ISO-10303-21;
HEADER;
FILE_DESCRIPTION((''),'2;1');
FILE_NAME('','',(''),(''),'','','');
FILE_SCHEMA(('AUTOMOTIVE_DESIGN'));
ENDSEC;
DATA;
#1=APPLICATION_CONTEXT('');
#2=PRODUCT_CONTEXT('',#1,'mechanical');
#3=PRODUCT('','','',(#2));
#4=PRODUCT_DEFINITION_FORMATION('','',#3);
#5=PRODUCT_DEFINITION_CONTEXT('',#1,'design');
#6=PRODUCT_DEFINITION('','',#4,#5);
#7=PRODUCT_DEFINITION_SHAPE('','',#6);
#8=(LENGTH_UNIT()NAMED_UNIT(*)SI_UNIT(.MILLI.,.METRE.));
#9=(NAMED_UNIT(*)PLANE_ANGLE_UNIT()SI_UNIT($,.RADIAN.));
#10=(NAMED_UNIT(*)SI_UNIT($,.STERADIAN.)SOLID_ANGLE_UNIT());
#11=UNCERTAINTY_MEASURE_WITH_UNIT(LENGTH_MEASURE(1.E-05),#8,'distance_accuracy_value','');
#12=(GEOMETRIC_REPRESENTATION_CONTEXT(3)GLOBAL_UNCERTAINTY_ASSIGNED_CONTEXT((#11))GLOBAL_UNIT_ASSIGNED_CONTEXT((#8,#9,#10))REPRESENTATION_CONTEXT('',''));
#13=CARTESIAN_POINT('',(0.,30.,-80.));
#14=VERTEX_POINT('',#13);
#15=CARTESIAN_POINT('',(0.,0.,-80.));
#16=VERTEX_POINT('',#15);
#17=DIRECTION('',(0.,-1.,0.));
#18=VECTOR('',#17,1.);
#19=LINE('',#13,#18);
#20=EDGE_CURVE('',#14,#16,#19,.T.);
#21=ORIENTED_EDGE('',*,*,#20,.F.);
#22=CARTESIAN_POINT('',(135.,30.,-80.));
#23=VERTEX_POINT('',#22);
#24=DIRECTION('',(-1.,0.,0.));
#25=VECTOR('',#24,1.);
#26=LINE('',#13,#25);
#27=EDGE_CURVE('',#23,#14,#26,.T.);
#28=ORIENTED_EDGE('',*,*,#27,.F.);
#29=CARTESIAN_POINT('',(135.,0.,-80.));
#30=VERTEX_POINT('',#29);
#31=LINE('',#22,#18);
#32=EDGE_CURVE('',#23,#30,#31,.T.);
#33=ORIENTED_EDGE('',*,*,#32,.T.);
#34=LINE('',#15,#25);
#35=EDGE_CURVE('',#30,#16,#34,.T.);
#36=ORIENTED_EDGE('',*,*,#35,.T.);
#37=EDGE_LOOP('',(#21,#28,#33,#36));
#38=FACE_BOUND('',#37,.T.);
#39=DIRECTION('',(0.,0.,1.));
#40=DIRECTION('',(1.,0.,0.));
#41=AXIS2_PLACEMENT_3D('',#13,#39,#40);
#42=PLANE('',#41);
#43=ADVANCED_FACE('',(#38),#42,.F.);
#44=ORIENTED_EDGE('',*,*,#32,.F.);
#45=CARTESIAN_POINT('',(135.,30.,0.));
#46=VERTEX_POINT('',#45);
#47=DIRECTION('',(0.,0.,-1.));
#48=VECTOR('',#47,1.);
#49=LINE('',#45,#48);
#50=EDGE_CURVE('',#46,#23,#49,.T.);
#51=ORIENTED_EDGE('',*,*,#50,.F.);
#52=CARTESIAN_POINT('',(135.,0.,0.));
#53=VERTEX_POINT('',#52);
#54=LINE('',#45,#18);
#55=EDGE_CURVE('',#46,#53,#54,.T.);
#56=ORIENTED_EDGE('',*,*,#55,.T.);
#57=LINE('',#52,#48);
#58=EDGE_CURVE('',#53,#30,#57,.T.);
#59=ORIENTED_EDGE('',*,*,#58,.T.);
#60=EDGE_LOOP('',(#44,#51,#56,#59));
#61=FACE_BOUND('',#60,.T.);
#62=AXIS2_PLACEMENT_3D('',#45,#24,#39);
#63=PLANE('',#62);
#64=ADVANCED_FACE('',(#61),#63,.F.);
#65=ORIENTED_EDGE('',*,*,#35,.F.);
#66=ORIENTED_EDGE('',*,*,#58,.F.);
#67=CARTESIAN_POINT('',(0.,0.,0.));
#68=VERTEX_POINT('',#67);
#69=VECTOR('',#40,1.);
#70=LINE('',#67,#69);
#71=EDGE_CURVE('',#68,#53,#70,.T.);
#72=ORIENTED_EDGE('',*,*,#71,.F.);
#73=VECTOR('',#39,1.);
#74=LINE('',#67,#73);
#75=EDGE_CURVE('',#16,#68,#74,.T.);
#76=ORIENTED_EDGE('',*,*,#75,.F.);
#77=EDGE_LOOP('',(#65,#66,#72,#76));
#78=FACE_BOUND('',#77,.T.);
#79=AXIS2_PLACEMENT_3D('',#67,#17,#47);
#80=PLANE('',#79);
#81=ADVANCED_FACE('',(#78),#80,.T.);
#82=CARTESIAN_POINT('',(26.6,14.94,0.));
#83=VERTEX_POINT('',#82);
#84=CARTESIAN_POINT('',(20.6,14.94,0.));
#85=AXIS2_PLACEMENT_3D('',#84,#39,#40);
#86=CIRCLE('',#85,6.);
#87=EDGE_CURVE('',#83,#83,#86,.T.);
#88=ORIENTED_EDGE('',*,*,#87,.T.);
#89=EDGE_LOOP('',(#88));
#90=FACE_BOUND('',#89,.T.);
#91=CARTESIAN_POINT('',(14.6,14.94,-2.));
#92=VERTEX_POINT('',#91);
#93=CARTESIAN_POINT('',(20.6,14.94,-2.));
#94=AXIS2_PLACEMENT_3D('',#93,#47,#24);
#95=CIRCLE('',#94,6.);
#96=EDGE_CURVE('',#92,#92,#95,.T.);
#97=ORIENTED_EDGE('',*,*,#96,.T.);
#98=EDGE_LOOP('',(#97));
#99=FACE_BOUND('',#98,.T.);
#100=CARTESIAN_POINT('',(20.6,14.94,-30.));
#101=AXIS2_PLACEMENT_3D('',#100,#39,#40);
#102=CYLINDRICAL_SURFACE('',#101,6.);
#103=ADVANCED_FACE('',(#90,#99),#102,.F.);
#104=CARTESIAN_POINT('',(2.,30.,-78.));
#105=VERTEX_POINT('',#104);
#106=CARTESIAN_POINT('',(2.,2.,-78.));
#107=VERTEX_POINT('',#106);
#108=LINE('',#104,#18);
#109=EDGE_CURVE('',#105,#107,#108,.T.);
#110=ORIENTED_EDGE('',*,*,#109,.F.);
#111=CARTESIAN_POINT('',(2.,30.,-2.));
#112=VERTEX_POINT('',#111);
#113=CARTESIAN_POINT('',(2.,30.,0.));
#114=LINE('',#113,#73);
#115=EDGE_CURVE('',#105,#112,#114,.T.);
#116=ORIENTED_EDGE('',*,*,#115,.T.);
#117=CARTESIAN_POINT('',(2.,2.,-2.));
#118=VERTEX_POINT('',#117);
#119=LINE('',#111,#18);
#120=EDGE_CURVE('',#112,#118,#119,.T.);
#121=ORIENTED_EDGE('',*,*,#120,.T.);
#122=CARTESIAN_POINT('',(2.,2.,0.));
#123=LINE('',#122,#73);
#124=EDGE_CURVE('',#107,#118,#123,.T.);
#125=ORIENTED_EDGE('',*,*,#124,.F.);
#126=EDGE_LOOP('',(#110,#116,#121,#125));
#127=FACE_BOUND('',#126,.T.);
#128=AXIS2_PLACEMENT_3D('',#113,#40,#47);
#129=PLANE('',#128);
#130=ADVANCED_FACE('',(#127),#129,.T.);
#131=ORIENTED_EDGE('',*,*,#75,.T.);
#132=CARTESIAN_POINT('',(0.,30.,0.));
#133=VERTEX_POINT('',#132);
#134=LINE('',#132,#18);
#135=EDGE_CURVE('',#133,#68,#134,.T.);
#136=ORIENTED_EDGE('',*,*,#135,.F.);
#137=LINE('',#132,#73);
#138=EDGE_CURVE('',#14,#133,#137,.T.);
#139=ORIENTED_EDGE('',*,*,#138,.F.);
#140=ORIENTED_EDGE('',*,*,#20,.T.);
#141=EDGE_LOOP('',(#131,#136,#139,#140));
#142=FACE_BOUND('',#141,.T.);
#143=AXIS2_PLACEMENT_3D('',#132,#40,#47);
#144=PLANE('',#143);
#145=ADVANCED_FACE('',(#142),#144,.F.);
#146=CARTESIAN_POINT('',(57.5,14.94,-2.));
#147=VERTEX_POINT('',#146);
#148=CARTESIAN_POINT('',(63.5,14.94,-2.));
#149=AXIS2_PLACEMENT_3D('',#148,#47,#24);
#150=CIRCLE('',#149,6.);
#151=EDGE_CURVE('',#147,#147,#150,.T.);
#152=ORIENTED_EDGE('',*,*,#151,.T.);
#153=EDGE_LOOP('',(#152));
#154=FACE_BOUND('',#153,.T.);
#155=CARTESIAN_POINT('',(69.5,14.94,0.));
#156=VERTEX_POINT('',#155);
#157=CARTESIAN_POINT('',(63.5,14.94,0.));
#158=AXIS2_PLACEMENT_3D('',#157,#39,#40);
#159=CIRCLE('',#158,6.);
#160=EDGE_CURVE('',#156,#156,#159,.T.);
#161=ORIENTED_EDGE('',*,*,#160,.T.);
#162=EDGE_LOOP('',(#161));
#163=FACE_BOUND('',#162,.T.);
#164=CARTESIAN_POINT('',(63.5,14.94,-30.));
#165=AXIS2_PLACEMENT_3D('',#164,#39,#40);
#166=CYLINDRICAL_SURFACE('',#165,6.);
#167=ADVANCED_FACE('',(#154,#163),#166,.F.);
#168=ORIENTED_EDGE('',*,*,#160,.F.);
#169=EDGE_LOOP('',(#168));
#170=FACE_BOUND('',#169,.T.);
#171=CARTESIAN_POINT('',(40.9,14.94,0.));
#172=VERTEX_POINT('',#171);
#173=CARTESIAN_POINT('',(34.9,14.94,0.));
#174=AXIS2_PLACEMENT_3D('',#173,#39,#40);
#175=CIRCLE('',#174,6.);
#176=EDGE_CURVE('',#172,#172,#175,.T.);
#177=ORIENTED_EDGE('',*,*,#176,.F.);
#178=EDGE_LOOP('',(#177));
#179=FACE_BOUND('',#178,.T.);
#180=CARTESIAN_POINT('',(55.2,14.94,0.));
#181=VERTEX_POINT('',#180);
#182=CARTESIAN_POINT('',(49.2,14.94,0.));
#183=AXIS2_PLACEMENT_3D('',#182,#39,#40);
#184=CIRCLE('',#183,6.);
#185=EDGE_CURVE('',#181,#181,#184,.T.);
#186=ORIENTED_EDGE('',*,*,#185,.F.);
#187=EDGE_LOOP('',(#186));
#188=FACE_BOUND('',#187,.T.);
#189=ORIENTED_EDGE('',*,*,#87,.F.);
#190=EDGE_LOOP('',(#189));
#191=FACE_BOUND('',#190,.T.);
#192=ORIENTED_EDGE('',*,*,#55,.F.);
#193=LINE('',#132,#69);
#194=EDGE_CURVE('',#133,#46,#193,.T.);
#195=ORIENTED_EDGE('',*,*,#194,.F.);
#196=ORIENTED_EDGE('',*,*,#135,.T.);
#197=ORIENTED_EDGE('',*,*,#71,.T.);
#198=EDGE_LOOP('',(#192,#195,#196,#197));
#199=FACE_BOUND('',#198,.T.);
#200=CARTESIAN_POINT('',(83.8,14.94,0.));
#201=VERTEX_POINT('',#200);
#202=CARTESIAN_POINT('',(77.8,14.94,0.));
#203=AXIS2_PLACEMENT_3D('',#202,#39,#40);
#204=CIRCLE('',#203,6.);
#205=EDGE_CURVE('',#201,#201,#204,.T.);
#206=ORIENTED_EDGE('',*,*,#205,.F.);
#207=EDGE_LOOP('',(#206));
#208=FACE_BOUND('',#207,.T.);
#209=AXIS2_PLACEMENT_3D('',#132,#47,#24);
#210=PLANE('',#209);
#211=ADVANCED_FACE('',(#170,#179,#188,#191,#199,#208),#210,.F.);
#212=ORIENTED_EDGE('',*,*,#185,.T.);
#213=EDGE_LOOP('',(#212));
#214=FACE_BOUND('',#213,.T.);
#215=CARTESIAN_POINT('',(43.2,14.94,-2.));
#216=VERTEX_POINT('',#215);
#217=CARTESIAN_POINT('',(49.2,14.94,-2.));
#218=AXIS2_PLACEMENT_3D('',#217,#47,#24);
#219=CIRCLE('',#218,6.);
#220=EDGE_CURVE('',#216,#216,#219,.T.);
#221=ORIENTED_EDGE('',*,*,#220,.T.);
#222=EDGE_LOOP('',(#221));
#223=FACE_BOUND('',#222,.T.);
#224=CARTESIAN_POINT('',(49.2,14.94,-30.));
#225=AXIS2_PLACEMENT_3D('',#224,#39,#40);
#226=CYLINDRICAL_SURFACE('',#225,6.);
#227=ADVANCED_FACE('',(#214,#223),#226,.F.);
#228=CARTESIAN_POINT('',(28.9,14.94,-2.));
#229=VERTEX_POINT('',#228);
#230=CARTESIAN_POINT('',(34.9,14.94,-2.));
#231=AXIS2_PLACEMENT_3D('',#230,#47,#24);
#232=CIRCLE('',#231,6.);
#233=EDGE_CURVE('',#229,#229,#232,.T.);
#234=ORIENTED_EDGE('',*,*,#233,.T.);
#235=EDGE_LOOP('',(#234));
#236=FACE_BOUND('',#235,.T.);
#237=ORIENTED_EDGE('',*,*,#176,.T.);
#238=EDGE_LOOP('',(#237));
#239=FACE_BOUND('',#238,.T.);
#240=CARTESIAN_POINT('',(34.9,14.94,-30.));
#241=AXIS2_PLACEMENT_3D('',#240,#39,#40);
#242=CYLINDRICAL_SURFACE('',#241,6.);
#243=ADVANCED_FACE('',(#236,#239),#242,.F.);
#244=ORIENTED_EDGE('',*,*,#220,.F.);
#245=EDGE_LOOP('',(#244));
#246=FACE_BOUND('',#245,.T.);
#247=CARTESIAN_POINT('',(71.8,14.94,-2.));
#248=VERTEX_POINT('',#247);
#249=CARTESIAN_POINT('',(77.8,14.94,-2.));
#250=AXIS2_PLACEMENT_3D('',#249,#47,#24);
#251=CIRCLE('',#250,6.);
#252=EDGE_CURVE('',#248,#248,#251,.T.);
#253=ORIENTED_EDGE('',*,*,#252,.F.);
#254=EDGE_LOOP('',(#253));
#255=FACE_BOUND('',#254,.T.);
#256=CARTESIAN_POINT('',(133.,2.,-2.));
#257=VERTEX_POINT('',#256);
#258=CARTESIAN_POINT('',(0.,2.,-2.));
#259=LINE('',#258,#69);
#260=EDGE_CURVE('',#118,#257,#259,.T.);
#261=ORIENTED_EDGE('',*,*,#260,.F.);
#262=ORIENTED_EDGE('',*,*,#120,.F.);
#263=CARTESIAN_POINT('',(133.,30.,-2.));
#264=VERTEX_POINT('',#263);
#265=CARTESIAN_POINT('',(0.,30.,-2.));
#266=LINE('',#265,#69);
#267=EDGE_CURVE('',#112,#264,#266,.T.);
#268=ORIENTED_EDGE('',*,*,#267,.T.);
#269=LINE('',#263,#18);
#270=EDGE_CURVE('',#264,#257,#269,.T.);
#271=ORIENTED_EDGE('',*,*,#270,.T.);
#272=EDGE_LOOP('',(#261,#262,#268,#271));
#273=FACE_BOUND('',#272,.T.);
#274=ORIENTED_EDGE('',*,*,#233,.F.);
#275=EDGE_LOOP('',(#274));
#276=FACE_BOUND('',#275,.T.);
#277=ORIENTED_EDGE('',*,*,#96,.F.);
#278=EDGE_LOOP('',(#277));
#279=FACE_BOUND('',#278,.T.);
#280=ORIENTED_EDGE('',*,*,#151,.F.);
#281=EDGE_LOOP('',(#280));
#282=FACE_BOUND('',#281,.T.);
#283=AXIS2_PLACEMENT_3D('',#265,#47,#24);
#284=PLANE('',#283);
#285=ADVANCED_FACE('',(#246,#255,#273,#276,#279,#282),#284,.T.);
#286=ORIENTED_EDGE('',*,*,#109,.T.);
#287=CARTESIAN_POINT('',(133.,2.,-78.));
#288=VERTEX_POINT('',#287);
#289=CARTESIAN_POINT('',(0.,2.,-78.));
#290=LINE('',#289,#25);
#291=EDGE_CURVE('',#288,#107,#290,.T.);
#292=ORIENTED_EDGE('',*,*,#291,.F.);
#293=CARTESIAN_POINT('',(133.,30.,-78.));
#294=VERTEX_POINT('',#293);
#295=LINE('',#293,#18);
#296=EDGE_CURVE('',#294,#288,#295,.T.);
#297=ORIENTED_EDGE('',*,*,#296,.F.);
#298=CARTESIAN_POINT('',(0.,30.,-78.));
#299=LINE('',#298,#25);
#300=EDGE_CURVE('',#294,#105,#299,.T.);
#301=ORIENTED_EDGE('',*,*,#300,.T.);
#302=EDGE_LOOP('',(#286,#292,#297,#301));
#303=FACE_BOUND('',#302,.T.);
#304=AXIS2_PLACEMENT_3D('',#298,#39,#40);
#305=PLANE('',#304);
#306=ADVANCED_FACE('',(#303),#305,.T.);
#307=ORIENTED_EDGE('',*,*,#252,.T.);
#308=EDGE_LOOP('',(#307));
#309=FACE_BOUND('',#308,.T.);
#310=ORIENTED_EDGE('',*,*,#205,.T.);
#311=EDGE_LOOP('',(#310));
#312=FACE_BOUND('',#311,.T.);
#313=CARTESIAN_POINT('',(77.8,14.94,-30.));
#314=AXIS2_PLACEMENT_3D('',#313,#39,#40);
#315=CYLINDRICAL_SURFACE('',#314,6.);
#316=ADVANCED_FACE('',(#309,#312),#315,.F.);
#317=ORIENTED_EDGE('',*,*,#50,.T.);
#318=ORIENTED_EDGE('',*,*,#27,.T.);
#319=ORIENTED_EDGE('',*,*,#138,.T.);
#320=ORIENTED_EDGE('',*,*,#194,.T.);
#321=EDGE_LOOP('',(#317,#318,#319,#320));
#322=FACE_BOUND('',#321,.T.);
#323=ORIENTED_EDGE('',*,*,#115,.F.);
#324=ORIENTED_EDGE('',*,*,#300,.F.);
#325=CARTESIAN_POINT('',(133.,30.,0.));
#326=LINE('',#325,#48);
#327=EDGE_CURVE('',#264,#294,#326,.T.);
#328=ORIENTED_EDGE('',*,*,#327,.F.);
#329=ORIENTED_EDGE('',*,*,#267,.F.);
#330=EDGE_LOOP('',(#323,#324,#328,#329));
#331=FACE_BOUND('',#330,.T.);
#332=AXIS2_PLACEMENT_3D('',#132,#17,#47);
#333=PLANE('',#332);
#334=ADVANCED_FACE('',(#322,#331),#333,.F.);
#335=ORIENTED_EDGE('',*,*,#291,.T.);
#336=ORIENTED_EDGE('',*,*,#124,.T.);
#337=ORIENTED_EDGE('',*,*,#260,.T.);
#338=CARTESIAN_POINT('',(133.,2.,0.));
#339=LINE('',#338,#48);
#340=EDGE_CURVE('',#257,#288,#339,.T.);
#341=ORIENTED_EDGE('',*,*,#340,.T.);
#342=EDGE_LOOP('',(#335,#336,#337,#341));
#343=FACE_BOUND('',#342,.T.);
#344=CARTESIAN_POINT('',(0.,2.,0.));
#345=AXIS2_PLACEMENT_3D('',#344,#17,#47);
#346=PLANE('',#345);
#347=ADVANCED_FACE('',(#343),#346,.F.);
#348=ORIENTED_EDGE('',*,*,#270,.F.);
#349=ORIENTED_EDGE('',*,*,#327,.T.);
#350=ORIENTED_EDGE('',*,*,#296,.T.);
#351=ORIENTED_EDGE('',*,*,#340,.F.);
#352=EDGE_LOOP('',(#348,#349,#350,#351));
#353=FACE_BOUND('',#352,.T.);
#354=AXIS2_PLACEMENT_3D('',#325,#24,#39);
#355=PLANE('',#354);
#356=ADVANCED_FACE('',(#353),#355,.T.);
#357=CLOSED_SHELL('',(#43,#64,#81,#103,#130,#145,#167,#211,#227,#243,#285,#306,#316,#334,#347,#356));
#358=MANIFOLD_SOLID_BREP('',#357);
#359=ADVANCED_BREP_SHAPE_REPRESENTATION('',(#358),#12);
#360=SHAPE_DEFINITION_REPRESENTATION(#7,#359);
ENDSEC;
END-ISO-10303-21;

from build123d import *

# Parameters (mm, degrees)
SKIZZE1_W                       = 135
SKIZZE1_H                       = 80
AUFSATZ_LINEAR_AUSTRAGEN1_DEPTH = 30
SCHALE1_T                       = -2
SKIZZE2_R                       = 6
SCHNITT_LINEAR_AUSTRAGEN1_DEPTH = 30


with BuildPart() as part:
    # Skizze1 → Aufsatz-Linear austragen1 (new body)
    with BuildSketch(Plane(origin=(0, 0, 0), x_dir=(1, 0, 0), z_dir=(0, 1, 0))):
        with Locations((67.5, 40)):
            Rectangle(SKIZZE1_W, SKIZZE1_H)
    extrude(amount=AUFSATZ_LINEAR_AUSTRAGEN1_DEPTH)

    # Schale1
    schale1_openings = [part.faces().sort_by_distance(p)[0] for p in [
        (67.5, 30, -40),
    ]]
    offset(amount=SCHALE1_T, openings=schale1_openings, kind=Kind.INTERSECTION)

    # Skizze2 → Schnitt-Linear austragen1 (cut)
    with BuildSketch(Plane.XY):
        with Locations((20.6, 14.94)):
            Circle(SKIZZE2_R)
        with Locations((34.9, 14.94)):
            Circle(SKIZZE2_R)
        with Locations((49.2, 14.94)):
            Circle(SKIZZE2_R)
        with Locations((63.5, 14.94)):
            Circle(SKIZZE2_R)
        with Locations((77.8, 14.94)):
            Circle(SKIZZE2_R)
    extrude(amount=-SCHNITT_LINEAR_AUSTRAGEN1_DEPTH, mode=Mode.SUBTRACT)


solid = part.part
